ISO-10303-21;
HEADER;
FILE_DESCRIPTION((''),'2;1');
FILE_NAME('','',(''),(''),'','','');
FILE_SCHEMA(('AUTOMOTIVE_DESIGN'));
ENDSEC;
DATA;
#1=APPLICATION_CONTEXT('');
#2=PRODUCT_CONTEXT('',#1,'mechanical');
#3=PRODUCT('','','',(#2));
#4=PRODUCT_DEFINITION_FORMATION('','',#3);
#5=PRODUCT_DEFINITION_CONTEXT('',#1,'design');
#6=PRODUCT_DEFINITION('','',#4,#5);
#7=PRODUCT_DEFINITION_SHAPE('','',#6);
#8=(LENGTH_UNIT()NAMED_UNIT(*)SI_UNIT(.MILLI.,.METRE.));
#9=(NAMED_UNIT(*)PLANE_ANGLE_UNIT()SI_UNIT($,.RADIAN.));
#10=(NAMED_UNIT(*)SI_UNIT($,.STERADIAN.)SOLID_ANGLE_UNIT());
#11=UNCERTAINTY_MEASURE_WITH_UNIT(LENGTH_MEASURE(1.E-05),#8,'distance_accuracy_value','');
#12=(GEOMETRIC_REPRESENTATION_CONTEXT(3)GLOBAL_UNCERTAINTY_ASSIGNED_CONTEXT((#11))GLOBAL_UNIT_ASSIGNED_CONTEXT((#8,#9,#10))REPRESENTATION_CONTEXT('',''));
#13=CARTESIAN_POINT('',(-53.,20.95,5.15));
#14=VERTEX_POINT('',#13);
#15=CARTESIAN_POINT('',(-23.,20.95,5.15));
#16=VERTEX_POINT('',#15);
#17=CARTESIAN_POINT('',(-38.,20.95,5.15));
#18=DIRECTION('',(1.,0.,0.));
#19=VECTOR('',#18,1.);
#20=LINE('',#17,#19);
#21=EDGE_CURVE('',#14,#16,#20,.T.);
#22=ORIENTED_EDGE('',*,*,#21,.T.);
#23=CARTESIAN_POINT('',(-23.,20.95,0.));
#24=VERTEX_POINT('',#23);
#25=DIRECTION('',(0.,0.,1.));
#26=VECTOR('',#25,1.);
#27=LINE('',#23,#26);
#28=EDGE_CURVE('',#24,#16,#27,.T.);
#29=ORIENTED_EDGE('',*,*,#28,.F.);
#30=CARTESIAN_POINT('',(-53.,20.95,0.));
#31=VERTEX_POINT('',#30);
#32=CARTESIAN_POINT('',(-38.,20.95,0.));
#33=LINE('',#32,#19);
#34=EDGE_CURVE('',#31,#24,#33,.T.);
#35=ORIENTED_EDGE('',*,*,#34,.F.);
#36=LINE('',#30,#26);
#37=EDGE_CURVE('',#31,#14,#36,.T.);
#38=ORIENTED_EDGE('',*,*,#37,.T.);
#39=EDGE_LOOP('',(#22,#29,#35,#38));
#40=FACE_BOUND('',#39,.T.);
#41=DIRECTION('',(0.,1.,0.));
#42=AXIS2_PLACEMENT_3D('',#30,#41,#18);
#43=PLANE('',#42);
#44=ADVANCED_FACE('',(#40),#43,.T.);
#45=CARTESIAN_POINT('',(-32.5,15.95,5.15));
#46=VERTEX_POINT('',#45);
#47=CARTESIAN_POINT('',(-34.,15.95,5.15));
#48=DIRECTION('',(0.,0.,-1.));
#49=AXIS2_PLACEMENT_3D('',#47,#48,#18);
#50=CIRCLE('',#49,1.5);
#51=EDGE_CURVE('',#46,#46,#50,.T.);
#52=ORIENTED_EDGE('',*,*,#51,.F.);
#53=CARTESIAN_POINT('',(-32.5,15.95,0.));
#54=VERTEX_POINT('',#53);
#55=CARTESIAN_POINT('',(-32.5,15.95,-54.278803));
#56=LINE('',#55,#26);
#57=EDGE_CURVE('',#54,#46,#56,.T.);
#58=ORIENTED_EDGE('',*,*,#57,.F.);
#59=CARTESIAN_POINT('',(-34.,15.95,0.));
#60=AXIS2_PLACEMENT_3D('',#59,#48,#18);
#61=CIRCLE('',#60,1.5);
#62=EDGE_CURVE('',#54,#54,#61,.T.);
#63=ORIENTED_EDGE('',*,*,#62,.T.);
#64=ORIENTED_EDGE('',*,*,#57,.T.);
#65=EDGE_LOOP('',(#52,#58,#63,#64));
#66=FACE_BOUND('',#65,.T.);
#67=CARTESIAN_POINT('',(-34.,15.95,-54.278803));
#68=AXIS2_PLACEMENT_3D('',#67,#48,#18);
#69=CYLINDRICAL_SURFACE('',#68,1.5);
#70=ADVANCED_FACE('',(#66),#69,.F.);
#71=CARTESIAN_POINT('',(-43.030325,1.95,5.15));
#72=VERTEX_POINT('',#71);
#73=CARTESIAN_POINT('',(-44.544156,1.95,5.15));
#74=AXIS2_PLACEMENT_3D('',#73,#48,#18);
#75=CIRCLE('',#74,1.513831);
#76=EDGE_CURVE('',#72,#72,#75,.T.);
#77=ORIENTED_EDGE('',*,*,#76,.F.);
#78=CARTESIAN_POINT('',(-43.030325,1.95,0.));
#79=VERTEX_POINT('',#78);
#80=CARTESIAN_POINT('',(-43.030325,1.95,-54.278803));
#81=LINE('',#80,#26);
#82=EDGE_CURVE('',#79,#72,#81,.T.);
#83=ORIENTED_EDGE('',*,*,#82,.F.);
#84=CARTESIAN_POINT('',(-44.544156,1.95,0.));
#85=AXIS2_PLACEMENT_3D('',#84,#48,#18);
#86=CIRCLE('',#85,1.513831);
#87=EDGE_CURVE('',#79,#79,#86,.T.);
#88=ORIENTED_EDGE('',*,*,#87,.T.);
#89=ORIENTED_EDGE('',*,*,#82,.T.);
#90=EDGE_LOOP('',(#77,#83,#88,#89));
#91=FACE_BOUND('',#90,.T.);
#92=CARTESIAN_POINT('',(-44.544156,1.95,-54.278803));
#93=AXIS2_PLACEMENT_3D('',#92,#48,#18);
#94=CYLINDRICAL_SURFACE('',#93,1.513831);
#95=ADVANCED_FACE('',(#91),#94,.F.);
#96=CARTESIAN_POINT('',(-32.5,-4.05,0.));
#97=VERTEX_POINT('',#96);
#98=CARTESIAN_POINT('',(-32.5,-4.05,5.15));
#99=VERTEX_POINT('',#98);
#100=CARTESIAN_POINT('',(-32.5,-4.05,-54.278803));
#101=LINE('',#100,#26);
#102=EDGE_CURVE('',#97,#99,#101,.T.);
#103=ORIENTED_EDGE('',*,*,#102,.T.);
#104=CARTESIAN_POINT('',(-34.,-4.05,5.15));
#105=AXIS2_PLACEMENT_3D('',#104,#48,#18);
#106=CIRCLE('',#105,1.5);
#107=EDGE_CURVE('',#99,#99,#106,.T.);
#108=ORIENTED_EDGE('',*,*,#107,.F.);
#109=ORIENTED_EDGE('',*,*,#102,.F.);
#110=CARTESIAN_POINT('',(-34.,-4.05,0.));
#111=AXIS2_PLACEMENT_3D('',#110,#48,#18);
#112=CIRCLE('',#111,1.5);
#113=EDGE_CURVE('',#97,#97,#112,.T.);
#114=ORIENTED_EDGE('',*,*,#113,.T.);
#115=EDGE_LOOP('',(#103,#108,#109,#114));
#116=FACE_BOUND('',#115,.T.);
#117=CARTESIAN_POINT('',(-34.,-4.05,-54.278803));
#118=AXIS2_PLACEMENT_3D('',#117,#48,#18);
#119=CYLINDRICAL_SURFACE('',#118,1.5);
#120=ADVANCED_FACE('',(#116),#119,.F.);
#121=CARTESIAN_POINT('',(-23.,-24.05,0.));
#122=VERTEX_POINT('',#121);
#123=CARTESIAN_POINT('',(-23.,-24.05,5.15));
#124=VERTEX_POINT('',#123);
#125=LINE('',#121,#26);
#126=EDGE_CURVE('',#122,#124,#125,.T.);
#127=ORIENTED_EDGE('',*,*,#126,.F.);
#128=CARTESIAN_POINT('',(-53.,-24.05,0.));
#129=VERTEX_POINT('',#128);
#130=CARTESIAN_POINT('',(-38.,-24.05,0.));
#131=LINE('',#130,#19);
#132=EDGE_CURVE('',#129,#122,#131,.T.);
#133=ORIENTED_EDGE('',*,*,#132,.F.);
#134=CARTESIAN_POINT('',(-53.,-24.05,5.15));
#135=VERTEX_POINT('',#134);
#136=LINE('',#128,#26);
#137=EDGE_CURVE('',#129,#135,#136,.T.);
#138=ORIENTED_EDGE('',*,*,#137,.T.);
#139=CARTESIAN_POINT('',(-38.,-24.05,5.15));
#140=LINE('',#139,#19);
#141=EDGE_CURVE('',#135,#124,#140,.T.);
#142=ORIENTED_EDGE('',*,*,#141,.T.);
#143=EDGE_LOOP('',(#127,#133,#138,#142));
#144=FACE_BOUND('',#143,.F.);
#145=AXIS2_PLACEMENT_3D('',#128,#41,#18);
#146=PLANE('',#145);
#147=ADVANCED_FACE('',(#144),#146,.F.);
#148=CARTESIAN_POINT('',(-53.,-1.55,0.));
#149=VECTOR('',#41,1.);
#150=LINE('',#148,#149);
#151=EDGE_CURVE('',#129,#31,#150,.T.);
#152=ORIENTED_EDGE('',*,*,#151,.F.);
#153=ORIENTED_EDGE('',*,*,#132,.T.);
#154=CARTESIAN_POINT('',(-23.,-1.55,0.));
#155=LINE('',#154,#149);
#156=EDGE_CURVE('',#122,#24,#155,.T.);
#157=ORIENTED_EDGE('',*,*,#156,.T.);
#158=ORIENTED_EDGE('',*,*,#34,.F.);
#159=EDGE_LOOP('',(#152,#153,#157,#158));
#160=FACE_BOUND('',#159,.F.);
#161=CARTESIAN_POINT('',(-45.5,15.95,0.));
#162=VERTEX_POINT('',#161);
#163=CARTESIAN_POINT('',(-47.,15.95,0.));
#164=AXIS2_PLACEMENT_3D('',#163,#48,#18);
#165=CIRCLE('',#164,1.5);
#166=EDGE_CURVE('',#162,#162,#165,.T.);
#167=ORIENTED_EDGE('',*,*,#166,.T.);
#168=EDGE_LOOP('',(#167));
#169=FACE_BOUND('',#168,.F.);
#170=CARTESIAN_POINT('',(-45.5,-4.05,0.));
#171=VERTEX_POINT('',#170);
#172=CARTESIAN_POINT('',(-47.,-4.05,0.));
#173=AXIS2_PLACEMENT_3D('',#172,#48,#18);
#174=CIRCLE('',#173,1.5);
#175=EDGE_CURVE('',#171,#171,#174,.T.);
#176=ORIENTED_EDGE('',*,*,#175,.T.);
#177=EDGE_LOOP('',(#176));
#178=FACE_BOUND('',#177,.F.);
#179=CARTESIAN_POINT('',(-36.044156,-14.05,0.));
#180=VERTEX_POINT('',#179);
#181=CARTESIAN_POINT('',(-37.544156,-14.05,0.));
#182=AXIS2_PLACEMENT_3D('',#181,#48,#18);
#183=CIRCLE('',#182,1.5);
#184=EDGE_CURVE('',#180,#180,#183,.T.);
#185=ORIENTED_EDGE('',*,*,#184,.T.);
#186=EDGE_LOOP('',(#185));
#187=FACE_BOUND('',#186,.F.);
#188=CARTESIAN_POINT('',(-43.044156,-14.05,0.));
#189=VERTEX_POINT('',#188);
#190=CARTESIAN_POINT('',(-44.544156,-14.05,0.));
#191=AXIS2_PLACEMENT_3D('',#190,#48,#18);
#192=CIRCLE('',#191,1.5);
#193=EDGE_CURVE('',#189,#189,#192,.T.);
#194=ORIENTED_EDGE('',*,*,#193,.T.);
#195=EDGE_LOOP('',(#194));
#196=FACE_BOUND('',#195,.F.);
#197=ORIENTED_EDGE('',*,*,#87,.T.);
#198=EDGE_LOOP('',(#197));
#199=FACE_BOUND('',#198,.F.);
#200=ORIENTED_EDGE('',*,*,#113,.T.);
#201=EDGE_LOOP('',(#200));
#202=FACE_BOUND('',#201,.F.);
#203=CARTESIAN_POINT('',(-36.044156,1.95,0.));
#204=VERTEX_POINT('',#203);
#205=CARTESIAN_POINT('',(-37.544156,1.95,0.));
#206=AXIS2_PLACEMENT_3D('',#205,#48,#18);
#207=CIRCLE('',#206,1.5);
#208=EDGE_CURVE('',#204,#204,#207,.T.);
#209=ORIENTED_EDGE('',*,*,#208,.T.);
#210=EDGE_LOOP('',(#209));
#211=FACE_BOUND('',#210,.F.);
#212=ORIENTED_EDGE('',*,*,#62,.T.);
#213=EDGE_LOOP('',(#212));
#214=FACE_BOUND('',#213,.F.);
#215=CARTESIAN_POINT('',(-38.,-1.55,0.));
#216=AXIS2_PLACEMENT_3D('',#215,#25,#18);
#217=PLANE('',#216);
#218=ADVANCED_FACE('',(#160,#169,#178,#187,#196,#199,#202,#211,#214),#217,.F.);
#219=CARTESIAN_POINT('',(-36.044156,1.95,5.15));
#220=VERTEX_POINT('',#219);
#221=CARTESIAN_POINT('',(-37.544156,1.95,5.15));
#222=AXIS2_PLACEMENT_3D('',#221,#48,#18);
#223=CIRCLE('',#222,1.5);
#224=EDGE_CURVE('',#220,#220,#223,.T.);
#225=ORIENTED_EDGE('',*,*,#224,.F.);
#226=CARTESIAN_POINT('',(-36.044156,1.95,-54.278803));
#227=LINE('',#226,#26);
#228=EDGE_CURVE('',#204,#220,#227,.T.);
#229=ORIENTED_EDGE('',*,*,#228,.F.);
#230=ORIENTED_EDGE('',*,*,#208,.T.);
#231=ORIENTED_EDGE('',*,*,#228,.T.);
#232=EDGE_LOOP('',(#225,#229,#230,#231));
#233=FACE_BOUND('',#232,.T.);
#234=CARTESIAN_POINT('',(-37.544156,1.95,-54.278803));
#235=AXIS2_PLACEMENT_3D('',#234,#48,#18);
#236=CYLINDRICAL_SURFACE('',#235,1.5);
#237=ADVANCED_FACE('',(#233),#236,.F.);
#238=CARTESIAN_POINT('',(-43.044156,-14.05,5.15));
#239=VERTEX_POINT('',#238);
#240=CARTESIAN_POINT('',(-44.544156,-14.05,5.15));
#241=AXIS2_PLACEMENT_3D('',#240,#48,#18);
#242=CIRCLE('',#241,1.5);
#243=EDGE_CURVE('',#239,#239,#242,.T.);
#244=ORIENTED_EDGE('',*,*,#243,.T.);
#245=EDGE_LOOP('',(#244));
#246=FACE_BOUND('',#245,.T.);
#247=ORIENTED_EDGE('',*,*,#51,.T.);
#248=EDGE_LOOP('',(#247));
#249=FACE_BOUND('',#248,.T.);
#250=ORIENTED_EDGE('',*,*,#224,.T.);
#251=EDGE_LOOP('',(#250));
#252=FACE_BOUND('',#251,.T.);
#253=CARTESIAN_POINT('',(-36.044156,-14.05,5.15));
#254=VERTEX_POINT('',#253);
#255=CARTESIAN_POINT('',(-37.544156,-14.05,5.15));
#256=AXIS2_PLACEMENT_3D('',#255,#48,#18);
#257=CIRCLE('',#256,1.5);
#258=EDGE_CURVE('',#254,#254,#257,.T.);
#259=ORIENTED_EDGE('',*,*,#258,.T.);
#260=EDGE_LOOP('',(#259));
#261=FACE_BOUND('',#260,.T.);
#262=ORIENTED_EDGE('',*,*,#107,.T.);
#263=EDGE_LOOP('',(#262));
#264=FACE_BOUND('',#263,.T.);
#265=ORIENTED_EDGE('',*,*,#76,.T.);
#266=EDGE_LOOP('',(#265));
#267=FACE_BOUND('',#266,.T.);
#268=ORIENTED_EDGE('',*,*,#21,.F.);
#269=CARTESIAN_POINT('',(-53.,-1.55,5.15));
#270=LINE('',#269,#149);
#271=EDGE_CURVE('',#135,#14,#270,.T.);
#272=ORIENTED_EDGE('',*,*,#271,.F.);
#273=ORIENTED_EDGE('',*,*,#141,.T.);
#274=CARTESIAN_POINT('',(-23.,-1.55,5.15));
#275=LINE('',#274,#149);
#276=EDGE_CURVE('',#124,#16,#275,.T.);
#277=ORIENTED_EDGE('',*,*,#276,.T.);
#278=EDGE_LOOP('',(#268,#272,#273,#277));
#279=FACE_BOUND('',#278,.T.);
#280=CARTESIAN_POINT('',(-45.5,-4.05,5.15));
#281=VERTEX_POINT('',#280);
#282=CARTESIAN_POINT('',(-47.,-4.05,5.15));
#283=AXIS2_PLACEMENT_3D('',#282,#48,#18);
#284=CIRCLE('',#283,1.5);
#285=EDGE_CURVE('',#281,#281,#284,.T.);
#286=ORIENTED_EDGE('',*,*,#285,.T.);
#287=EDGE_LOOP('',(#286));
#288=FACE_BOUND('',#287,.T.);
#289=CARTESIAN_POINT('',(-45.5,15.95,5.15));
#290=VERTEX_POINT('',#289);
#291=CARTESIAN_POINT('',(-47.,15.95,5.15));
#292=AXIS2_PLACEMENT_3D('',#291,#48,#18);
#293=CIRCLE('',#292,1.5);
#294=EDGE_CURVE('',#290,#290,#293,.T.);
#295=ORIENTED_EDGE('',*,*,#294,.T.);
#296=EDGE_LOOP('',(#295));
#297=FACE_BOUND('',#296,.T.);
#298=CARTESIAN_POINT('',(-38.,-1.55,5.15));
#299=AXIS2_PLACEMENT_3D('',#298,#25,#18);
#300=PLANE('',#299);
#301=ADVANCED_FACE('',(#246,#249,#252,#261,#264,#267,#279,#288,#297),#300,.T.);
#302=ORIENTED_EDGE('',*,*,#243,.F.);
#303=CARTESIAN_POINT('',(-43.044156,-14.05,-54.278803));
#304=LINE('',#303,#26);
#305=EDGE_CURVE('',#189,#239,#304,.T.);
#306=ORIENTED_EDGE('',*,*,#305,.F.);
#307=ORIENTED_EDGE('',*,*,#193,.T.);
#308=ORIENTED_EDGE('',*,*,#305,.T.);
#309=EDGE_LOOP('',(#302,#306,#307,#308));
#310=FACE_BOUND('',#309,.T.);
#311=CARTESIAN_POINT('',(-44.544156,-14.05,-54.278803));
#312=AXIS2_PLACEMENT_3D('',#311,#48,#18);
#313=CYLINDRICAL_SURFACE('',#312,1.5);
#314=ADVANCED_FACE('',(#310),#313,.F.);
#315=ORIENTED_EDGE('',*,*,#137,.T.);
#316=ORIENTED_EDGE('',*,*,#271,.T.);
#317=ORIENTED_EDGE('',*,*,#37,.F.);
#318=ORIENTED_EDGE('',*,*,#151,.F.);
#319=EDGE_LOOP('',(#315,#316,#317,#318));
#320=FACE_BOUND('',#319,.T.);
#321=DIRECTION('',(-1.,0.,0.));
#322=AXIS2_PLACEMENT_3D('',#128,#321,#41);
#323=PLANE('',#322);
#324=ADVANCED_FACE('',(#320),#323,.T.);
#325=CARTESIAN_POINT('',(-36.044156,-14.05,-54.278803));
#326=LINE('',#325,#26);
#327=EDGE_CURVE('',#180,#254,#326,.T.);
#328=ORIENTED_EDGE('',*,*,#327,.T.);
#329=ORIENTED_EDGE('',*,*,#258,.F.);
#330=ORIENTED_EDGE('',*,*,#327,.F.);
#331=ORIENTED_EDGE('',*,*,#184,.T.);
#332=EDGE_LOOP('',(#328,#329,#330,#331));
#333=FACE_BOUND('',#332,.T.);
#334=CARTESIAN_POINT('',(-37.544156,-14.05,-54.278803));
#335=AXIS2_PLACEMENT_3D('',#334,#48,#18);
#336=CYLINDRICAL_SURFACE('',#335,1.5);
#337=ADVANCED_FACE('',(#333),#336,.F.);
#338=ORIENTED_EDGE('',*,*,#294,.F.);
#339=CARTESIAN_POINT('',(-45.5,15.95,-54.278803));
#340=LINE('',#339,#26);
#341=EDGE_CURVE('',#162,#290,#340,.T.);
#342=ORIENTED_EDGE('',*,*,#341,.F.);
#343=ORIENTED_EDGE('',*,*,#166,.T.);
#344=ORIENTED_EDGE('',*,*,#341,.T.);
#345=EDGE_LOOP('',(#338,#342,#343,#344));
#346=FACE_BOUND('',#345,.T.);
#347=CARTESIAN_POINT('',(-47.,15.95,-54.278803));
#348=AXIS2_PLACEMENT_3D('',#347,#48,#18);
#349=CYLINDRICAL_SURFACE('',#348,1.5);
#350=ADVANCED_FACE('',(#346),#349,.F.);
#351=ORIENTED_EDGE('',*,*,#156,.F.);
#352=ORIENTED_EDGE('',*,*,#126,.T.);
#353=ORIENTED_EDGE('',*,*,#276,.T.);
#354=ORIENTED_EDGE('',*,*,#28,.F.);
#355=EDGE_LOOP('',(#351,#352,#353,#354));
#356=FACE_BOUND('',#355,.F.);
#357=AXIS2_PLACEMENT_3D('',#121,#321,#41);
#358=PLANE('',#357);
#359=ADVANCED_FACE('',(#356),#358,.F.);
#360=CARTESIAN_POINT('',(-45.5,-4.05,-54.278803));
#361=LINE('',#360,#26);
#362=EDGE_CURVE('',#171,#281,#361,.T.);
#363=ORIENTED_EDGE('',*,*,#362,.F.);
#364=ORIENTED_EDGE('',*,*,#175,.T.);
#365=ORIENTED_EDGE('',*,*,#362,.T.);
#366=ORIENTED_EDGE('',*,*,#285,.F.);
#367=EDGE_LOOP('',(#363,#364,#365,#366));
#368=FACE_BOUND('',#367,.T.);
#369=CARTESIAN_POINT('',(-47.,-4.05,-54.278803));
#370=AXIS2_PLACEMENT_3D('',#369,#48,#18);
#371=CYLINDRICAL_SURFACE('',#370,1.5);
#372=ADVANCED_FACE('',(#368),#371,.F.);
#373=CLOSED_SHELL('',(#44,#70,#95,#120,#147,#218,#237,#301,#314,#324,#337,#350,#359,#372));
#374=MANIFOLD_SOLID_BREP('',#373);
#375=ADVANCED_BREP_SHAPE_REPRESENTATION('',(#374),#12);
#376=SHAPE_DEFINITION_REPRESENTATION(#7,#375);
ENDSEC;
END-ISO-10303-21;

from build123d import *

# Parameters (mm, degrees)
SKETCH_1_W               = 30
SKETCH_1_H               = 45
EXTRUDE_1_DEPTH          = 5.15
CUT_EXTRUDE_1_DEPTH      = 59.428802829
CUT_EXTRUDE_1_DEPTH_BACK = 59.428802829
SKETCH_2_R               = 1.5
CUT_EXTRUDE_2_DEPTH      = 59.428802829
CUT_EXTRUDE_2_DEPTH_BACK = 59.428802829
SKETCH_3_R               = 1.5
SKETCH_3_R_2             = 1.513831086


with BuildPart() as part:
    # 草图1 → 凸台-拉伸1 (new body)
    with BuildSketch(Plane.XY):
        with Locations((-38, -1.55)):
            Rectangle(SKETCH_1_W, SKETCH_1_H)
    extrude(amount=EXTRUDE_1_DEPTH)

    # 草图2 → 切除-拉伸1 (cut, two sides: drawn at the far end of the back side and taken through both)
    with BuildSketch(Plane.XY.offset(5.15).offset(-CUT_EXTRUDE_1_DEPTH_BACK)):
        with Locations((-34, 15.95)):
            Circle(SKETCH_2_R)
        with Locations((-47, 15.95)):
            Circle(SKETCH_2_R)
        with Locations((-34, -4.05)):
            Circle(SKETCH_2_R)
        with Locations((-47, -4.05)):
            Circle(SKETCH_2_R)
    extrude(amount=CUT_EXTRUDE_1_DEPTH + CUT_EXTRUDE_1_DEPTH_BACK, mode=Mode.SUBTRACT)

    # 草图3 → 切除-拉伸2 (cut, two sides: drawn at the far end of the back side and taken through both)
    with BuildSketch(Plane.XY.offset(5.15).offset(-CUT_EXTRUDE_2_DEPTH_BACK)):
        with Locations((-44.544155877, -14.05)):
            Circle(SKETCH_3_R)
        with Locations((-37.544155877, -14.05)):
            Circle(SKETCH_3_R)
        with Locations((-44.544155877, 1.95)):
            Circle(SKETCH_3_R_2)
        with Locations((-37.544155877, 1.95)):
            Circle(SKETCH_3_R)
    extrude(amount=CUT_EXTRUDE_2_DEPTH + CUT_EXTRUDE_2_DEPTH_BACK, mode=Mode.SUBTRACT)


solid = part.part
